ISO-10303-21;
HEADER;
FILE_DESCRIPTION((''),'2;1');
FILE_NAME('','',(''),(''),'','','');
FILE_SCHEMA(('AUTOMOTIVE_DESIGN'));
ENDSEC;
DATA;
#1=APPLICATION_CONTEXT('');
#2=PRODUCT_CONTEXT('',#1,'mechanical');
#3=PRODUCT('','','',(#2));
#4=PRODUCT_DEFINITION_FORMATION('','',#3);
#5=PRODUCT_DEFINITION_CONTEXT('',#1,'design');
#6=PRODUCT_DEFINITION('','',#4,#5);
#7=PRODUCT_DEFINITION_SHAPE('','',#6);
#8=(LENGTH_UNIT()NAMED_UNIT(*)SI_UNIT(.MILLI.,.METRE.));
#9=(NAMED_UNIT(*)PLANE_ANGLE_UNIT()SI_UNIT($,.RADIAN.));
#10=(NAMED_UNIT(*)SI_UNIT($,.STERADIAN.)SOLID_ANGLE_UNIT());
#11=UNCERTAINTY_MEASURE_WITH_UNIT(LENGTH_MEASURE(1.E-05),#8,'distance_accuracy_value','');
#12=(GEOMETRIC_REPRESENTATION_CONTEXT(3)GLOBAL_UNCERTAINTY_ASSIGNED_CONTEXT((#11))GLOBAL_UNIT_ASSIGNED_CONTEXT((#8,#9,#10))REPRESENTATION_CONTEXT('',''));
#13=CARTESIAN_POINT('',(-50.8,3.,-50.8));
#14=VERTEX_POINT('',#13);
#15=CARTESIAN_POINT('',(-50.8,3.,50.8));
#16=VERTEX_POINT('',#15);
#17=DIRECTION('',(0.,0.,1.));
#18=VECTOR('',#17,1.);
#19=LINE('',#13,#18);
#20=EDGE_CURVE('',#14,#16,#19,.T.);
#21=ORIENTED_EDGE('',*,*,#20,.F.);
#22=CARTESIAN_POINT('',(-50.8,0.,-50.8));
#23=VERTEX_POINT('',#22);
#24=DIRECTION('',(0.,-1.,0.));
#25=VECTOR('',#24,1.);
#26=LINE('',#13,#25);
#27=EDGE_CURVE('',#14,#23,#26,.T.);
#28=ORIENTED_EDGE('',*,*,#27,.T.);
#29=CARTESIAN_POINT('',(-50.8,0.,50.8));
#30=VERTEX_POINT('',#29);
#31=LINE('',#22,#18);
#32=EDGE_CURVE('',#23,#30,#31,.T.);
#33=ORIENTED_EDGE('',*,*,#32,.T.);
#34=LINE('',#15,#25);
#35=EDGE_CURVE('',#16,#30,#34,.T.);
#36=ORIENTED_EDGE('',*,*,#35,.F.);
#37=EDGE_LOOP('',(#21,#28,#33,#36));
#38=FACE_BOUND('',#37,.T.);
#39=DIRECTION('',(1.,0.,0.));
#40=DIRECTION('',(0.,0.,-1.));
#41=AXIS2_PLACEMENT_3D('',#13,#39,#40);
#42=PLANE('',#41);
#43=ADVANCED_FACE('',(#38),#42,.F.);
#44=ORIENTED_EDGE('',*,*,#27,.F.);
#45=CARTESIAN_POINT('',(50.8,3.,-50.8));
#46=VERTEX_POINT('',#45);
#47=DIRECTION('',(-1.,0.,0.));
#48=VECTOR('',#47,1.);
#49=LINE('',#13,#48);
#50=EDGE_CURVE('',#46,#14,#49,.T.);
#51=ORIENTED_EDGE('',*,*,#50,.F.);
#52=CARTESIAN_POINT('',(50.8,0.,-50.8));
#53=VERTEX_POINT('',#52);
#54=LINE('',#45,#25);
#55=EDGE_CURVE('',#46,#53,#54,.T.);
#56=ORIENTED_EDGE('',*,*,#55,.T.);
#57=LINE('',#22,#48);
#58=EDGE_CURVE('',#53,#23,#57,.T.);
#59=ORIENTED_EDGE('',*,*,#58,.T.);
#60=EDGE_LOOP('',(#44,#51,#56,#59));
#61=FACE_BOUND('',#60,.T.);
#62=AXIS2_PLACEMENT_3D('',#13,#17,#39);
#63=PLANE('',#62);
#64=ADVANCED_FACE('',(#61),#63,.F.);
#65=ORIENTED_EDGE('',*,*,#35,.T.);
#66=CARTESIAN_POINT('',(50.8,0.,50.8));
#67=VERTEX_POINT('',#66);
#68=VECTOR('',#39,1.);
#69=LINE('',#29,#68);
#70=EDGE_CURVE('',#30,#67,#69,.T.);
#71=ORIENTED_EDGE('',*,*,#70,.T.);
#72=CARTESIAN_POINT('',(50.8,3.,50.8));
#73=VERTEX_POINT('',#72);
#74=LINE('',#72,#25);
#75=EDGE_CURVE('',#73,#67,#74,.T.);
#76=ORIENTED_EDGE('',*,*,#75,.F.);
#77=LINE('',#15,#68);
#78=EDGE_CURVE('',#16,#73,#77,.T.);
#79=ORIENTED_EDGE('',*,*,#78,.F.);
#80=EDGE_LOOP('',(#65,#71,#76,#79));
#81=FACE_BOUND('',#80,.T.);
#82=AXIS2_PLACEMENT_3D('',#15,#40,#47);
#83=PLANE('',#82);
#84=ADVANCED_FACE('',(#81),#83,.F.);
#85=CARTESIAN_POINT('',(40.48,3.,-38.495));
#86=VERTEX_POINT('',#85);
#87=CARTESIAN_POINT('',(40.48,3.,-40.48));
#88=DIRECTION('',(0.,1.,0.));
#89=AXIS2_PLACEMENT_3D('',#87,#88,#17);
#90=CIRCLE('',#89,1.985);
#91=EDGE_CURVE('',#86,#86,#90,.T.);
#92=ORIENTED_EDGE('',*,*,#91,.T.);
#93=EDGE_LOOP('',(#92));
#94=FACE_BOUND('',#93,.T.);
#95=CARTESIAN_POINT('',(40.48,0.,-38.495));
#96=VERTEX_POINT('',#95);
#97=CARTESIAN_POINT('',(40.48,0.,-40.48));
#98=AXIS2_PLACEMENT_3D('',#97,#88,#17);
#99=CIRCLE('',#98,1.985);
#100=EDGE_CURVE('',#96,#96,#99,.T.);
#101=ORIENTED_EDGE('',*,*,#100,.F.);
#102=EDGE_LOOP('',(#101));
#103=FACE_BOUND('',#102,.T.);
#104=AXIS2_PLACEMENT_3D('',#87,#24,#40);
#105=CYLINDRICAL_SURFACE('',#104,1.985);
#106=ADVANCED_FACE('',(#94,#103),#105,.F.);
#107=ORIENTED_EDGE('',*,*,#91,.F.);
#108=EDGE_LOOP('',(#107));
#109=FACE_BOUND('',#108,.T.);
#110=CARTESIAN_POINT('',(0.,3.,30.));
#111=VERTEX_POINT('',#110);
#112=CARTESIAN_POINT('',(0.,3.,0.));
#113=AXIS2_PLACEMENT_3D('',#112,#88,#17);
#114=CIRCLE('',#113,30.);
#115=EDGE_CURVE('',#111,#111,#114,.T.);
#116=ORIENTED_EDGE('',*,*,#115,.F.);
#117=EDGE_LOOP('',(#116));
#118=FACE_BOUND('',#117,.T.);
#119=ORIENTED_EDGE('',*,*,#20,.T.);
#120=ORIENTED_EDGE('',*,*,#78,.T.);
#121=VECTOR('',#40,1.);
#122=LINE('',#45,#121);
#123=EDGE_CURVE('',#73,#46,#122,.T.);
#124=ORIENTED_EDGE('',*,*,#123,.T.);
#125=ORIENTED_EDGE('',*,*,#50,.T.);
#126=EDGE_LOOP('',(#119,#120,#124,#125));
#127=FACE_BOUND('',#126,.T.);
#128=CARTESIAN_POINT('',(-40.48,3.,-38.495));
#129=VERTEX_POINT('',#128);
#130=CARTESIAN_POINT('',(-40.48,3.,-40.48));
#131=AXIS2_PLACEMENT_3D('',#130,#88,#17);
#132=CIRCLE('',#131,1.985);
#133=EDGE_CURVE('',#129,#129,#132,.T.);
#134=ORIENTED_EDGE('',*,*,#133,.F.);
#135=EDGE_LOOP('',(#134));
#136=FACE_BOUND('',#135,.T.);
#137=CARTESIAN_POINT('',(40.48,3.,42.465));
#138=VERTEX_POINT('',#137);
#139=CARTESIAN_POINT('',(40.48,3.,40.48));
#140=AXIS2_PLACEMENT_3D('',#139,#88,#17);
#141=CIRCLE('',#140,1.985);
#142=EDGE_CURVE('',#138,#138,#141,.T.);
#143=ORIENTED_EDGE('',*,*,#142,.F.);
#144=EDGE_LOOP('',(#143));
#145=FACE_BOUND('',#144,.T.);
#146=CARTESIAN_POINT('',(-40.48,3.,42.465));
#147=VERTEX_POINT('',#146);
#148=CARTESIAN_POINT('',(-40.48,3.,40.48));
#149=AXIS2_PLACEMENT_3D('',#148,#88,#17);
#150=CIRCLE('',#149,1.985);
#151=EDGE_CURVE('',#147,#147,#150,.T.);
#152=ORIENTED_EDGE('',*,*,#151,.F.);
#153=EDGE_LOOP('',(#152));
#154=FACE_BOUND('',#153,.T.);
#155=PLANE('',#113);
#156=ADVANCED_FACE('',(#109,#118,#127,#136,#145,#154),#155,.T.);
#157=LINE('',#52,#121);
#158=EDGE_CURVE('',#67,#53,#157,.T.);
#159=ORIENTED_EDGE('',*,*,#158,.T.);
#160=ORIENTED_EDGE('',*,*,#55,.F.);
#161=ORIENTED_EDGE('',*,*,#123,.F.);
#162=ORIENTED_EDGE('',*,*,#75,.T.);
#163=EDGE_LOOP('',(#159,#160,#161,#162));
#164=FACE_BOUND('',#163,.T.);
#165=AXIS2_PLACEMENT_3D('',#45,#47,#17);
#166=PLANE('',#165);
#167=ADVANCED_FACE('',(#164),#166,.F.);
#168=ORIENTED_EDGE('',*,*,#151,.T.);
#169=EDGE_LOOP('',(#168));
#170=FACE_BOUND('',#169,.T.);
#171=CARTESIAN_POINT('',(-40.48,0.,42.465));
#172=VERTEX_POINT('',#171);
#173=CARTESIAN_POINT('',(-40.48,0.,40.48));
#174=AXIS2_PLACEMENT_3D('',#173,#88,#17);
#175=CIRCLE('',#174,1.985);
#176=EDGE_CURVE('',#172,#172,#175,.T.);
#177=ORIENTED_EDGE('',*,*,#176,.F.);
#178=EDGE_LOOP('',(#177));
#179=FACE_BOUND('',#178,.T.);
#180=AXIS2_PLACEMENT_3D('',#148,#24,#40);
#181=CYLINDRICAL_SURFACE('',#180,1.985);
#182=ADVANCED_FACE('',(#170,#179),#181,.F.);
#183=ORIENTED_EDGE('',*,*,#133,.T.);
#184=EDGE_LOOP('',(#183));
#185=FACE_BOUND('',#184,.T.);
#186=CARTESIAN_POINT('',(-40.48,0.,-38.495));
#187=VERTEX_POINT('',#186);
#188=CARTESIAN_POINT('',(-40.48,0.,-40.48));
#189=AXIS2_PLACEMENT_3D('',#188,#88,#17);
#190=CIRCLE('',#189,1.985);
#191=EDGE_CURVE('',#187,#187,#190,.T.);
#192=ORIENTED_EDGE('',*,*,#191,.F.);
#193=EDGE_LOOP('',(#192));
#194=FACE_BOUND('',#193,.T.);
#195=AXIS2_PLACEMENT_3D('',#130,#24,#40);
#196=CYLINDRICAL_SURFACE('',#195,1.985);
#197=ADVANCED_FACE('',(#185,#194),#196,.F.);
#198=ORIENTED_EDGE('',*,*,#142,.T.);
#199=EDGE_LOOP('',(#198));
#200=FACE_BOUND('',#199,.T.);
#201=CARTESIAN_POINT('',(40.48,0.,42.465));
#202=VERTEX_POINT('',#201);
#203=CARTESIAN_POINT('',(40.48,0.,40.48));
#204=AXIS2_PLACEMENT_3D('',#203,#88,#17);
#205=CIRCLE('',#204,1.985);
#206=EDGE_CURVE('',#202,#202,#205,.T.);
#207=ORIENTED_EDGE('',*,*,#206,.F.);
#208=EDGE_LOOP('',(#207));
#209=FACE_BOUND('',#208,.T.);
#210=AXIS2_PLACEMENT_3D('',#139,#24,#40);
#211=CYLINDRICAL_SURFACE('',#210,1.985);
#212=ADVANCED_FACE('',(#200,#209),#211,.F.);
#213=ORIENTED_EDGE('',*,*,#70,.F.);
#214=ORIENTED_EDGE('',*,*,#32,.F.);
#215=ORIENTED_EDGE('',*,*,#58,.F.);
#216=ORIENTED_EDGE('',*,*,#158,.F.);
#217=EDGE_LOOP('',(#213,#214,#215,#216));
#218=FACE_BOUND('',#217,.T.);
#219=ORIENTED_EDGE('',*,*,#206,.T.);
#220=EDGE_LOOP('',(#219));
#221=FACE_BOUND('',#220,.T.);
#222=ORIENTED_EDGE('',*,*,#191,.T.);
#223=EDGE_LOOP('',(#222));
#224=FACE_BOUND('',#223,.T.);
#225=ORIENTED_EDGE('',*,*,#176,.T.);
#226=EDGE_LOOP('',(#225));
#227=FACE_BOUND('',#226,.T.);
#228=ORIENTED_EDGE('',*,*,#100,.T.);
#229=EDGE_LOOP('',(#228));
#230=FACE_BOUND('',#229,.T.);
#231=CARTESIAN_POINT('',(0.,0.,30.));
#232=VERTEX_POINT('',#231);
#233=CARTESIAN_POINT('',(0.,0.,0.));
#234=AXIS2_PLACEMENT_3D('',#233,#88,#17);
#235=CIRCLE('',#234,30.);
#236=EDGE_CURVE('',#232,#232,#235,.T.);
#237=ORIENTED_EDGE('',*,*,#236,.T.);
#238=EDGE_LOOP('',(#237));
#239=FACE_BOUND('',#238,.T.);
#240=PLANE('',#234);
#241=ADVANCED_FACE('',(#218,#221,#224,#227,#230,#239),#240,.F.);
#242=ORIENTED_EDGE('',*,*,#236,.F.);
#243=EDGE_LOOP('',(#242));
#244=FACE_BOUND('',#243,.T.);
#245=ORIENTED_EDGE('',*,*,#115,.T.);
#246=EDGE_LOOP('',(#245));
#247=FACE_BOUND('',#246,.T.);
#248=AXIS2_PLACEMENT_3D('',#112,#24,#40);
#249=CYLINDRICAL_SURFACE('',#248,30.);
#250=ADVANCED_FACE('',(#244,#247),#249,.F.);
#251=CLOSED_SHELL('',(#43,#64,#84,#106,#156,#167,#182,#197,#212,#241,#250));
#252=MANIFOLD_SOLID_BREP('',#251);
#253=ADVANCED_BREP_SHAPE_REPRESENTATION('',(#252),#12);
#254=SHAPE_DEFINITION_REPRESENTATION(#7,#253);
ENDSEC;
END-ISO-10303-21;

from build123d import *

# Parameters (mm, degrees)
SKETCH1_W           = 101.6
SKETCH1_H           = 101.6
SKETCH1_R           = 30
SKETCH1_R_2         = 1.985
BOSS_EXTRUDE1_DEPTH = 3


with BuildPart() as part:
    # Sketch1 → Boss-Extrude1 (new body)
    with BuildSketch(Plane(origin=(0, 0, 0), x_dir=(1, 0, 0), z_dir=(0, 1, 0))):
        Rectangle(SKETCH1_W, SKETCH1_H)
        with Locations(Location((0, 0, 0), (0, 0, 270))):
            Circle(SKETCH1_R, mode=Mode.SUBTRACT)
        with Locations(Location((-40.48, 40.48, 0), (0, 0, 270))):
            Circle(SKETCH1_R_2, mode=Mode.SUBTRACT)
        with Locations(Location((40.48, 40.48, 0), (0, 0, 270))):
            Circle(SKETCH1_R_2, mode=Mode.SUBTRACT)
        with Locations(Location((40.48, -40.48, 0), (0, 0, 270))):
            Circle(SKETCH1_R_2, mode=Mode.SUBTRACT)
        with Locations(Location((-40.48, -40.48, 0), (0, 0, 270))):
            Circle(SKETCH1_R_2, mode=Mode.SUBTRACT)
    extrude(amount=BOSS_EXTRUDE1_DEPTH)


solid = part.part
